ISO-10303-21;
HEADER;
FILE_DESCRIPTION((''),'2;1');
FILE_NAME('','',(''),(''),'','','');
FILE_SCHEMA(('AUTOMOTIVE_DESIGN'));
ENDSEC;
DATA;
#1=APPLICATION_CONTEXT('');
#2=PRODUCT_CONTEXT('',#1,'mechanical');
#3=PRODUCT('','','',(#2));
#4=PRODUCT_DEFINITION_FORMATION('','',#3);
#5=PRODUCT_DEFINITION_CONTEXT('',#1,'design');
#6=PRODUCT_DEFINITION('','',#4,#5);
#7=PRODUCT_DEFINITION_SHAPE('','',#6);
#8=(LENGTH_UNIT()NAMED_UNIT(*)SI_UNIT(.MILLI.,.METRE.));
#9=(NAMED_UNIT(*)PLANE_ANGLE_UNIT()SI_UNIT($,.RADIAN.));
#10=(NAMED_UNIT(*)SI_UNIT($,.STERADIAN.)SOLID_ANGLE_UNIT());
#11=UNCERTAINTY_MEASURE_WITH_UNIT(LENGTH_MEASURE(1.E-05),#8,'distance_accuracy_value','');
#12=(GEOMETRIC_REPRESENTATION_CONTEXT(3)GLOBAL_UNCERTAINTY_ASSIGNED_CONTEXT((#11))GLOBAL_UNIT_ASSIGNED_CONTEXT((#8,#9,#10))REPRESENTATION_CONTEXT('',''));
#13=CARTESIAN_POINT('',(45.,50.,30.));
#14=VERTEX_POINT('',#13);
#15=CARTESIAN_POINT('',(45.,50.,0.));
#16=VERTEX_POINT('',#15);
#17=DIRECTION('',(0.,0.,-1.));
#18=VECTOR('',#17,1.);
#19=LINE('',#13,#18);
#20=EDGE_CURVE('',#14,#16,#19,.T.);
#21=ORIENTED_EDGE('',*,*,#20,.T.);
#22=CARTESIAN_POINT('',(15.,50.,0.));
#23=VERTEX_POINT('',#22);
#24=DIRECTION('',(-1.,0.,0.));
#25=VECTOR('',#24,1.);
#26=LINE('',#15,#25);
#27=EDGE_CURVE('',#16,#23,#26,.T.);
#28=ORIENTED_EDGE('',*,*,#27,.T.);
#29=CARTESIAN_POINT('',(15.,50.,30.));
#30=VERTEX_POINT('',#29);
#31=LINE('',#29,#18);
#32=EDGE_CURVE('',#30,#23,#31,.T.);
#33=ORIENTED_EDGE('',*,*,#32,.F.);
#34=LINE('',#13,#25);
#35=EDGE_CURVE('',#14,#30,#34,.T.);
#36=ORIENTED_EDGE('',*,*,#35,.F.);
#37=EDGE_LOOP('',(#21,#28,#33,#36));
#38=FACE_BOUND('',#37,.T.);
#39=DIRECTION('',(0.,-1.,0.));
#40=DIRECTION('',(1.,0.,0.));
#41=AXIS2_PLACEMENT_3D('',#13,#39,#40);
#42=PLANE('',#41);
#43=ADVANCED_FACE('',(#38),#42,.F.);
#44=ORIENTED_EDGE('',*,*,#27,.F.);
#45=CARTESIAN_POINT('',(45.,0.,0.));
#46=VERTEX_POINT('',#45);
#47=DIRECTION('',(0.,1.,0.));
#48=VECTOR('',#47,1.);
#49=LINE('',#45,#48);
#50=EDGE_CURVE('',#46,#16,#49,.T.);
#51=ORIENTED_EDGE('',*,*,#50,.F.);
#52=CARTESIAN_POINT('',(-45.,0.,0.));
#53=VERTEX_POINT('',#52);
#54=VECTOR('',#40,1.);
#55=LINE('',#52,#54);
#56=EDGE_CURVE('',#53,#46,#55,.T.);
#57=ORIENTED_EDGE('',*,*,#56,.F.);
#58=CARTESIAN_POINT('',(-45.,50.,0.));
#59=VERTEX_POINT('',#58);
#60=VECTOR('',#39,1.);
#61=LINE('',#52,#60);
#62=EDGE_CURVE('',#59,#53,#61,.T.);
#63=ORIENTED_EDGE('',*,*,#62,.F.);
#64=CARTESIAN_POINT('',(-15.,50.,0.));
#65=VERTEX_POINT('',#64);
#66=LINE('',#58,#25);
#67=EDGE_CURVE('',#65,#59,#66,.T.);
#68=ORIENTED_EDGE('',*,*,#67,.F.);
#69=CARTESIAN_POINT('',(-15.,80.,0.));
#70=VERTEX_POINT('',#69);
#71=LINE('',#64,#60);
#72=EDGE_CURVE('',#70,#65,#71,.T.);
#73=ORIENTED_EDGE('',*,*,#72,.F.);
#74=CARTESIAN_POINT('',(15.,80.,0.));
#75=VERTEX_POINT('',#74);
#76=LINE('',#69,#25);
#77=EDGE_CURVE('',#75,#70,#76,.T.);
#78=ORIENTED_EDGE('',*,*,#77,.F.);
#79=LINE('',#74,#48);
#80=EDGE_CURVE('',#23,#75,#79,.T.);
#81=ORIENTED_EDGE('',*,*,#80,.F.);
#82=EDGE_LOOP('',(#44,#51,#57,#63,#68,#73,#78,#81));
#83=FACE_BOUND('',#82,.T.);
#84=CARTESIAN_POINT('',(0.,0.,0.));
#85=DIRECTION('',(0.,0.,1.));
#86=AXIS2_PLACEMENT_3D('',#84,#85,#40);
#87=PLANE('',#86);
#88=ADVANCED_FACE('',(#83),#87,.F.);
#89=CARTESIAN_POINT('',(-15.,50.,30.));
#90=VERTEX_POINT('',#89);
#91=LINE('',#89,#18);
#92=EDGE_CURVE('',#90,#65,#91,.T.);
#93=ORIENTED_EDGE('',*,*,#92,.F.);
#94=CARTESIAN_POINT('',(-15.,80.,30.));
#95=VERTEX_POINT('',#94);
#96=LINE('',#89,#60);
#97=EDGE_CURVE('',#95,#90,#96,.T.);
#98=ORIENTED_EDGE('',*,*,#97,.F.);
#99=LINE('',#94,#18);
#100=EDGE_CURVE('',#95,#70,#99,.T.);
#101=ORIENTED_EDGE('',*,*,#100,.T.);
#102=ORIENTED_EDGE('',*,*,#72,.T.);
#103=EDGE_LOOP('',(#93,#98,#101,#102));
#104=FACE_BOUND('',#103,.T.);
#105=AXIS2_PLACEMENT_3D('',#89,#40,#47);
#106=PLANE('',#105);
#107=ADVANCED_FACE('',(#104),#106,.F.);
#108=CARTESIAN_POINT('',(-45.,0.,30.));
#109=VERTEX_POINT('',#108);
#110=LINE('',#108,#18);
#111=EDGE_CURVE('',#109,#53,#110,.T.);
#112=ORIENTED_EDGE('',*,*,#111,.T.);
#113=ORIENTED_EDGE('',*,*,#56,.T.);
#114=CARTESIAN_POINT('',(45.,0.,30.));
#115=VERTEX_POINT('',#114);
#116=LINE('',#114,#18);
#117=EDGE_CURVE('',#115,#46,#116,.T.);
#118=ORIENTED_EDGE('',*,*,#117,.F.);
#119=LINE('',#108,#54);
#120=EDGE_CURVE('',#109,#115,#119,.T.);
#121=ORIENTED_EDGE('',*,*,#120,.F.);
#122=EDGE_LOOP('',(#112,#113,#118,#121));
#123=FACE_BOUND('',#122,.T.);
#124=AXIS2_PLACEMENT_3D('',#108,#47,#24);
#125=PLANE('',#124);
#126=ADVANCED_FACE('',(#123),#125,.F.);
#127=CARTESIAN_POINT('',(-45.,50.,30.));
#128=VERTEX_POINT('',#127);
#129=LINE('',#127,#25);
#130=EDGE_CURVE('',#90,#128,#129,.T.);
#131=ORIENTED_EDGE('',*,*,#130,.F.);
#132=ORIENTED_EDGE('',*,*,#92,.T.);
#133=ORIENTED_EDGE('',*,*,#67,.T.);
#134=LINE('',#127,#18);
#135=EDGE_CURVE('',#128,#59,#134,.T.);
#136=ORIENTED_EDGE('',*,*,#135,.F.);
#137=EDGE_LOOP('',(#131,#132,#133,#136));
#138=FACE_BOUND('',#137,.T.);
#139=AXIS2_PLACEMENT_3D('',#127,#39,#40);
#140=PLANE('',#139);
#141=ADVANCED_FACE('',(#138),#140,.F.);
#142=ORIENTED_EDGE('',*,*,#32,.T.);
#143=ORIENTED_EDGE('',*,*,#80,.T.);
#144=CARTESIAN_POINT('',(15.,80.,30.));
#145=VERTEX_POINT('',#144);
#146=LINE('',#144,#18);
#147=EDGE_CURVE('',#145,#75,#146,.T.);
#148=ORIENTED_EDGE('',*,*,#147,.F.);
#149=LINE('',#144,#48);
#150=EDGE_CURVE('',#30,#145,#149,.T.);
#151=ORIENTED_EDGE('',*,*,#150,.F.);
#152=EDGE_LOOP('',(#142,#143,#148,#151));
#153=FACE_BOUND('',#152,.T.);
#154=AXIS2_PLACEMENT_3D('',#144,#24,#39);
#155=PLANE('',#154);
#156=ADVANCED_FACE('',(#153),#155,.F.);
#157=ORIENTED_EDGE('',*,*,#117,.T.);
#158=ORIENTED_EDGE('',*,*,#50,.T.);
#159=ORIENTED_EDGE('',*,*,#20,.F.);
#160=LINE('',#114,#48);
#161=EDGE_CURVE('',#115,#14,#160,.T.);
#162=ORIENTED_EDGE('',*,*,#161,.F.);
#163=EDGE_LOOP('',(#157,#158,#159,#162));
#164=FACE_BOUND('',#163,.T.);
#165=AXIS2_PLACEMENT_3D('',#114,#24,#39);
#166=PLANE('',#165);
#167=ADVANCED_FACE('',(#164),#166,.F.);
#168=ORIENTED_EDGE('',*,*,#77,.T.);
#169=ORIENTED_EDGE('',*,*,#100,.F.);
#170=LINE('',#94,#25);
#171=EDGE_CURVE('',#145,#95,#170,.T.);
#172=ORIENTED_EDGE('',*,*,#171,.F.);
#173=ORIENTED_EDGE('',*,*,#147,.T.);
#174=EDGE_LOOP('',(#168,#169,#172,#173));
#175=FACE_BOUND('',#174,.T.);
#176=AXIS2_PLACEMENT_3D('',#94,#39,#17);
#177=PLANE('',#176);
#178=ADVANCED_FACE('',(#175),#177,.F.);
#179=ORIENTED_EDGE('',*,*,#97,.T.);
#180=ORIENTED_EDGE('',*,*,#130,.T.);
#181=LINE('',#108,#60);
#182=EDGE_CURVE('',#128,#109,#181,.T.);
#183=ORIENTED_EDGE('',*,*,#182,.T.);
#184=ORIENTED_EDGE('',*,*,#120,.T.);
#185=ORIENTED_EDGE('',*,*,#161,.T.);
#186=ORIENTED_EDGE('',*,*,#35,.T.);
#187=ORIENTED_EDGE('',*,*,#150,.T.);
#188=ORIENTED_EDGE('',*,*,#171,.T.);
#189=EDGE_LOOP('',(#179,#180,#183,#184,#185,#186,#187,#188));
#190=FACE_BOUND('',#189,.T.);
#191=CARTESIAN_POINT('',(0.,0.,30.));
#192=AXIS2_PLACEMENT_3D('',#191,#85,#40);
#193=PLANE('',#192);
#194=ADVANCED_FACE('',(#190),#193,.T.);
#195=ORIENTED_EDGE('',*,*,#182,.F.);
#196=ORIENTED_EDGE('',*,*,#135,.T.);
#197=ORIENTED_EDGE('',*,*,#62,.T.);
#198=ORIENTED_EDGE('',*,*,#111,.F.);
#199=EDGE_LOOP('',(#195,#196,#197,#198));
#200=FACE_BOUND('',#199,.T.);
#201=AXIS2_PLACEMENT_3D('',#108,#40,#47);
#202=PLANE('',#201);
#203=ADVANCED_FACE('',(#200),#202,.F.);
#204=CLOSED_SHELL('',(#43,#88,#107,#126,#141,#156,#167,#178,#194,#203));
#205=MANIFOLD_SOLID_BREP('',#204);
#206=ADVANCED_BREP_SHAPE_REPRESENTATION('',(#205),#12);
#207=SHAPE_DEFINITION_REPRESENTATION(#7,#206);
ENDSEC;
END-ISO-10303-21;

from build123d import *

# Parameters (mm, degrees)
BOSS_EXTRUDE1_DEPTH = 30


with BuildPart() as part:
    # Sketch2 → Boss-Extrude1 (new body)
    with BuildSketch(Plane.XY):
        Polygon((-45, 0), (45, 0), (45, 50), (15, 50), (15, 80), (-15, 80), (-15, 50), (-45, 50), align=None)
    extrude(amount=BOSS_EXTRUDE1_DEPTH)


solid = part.part
